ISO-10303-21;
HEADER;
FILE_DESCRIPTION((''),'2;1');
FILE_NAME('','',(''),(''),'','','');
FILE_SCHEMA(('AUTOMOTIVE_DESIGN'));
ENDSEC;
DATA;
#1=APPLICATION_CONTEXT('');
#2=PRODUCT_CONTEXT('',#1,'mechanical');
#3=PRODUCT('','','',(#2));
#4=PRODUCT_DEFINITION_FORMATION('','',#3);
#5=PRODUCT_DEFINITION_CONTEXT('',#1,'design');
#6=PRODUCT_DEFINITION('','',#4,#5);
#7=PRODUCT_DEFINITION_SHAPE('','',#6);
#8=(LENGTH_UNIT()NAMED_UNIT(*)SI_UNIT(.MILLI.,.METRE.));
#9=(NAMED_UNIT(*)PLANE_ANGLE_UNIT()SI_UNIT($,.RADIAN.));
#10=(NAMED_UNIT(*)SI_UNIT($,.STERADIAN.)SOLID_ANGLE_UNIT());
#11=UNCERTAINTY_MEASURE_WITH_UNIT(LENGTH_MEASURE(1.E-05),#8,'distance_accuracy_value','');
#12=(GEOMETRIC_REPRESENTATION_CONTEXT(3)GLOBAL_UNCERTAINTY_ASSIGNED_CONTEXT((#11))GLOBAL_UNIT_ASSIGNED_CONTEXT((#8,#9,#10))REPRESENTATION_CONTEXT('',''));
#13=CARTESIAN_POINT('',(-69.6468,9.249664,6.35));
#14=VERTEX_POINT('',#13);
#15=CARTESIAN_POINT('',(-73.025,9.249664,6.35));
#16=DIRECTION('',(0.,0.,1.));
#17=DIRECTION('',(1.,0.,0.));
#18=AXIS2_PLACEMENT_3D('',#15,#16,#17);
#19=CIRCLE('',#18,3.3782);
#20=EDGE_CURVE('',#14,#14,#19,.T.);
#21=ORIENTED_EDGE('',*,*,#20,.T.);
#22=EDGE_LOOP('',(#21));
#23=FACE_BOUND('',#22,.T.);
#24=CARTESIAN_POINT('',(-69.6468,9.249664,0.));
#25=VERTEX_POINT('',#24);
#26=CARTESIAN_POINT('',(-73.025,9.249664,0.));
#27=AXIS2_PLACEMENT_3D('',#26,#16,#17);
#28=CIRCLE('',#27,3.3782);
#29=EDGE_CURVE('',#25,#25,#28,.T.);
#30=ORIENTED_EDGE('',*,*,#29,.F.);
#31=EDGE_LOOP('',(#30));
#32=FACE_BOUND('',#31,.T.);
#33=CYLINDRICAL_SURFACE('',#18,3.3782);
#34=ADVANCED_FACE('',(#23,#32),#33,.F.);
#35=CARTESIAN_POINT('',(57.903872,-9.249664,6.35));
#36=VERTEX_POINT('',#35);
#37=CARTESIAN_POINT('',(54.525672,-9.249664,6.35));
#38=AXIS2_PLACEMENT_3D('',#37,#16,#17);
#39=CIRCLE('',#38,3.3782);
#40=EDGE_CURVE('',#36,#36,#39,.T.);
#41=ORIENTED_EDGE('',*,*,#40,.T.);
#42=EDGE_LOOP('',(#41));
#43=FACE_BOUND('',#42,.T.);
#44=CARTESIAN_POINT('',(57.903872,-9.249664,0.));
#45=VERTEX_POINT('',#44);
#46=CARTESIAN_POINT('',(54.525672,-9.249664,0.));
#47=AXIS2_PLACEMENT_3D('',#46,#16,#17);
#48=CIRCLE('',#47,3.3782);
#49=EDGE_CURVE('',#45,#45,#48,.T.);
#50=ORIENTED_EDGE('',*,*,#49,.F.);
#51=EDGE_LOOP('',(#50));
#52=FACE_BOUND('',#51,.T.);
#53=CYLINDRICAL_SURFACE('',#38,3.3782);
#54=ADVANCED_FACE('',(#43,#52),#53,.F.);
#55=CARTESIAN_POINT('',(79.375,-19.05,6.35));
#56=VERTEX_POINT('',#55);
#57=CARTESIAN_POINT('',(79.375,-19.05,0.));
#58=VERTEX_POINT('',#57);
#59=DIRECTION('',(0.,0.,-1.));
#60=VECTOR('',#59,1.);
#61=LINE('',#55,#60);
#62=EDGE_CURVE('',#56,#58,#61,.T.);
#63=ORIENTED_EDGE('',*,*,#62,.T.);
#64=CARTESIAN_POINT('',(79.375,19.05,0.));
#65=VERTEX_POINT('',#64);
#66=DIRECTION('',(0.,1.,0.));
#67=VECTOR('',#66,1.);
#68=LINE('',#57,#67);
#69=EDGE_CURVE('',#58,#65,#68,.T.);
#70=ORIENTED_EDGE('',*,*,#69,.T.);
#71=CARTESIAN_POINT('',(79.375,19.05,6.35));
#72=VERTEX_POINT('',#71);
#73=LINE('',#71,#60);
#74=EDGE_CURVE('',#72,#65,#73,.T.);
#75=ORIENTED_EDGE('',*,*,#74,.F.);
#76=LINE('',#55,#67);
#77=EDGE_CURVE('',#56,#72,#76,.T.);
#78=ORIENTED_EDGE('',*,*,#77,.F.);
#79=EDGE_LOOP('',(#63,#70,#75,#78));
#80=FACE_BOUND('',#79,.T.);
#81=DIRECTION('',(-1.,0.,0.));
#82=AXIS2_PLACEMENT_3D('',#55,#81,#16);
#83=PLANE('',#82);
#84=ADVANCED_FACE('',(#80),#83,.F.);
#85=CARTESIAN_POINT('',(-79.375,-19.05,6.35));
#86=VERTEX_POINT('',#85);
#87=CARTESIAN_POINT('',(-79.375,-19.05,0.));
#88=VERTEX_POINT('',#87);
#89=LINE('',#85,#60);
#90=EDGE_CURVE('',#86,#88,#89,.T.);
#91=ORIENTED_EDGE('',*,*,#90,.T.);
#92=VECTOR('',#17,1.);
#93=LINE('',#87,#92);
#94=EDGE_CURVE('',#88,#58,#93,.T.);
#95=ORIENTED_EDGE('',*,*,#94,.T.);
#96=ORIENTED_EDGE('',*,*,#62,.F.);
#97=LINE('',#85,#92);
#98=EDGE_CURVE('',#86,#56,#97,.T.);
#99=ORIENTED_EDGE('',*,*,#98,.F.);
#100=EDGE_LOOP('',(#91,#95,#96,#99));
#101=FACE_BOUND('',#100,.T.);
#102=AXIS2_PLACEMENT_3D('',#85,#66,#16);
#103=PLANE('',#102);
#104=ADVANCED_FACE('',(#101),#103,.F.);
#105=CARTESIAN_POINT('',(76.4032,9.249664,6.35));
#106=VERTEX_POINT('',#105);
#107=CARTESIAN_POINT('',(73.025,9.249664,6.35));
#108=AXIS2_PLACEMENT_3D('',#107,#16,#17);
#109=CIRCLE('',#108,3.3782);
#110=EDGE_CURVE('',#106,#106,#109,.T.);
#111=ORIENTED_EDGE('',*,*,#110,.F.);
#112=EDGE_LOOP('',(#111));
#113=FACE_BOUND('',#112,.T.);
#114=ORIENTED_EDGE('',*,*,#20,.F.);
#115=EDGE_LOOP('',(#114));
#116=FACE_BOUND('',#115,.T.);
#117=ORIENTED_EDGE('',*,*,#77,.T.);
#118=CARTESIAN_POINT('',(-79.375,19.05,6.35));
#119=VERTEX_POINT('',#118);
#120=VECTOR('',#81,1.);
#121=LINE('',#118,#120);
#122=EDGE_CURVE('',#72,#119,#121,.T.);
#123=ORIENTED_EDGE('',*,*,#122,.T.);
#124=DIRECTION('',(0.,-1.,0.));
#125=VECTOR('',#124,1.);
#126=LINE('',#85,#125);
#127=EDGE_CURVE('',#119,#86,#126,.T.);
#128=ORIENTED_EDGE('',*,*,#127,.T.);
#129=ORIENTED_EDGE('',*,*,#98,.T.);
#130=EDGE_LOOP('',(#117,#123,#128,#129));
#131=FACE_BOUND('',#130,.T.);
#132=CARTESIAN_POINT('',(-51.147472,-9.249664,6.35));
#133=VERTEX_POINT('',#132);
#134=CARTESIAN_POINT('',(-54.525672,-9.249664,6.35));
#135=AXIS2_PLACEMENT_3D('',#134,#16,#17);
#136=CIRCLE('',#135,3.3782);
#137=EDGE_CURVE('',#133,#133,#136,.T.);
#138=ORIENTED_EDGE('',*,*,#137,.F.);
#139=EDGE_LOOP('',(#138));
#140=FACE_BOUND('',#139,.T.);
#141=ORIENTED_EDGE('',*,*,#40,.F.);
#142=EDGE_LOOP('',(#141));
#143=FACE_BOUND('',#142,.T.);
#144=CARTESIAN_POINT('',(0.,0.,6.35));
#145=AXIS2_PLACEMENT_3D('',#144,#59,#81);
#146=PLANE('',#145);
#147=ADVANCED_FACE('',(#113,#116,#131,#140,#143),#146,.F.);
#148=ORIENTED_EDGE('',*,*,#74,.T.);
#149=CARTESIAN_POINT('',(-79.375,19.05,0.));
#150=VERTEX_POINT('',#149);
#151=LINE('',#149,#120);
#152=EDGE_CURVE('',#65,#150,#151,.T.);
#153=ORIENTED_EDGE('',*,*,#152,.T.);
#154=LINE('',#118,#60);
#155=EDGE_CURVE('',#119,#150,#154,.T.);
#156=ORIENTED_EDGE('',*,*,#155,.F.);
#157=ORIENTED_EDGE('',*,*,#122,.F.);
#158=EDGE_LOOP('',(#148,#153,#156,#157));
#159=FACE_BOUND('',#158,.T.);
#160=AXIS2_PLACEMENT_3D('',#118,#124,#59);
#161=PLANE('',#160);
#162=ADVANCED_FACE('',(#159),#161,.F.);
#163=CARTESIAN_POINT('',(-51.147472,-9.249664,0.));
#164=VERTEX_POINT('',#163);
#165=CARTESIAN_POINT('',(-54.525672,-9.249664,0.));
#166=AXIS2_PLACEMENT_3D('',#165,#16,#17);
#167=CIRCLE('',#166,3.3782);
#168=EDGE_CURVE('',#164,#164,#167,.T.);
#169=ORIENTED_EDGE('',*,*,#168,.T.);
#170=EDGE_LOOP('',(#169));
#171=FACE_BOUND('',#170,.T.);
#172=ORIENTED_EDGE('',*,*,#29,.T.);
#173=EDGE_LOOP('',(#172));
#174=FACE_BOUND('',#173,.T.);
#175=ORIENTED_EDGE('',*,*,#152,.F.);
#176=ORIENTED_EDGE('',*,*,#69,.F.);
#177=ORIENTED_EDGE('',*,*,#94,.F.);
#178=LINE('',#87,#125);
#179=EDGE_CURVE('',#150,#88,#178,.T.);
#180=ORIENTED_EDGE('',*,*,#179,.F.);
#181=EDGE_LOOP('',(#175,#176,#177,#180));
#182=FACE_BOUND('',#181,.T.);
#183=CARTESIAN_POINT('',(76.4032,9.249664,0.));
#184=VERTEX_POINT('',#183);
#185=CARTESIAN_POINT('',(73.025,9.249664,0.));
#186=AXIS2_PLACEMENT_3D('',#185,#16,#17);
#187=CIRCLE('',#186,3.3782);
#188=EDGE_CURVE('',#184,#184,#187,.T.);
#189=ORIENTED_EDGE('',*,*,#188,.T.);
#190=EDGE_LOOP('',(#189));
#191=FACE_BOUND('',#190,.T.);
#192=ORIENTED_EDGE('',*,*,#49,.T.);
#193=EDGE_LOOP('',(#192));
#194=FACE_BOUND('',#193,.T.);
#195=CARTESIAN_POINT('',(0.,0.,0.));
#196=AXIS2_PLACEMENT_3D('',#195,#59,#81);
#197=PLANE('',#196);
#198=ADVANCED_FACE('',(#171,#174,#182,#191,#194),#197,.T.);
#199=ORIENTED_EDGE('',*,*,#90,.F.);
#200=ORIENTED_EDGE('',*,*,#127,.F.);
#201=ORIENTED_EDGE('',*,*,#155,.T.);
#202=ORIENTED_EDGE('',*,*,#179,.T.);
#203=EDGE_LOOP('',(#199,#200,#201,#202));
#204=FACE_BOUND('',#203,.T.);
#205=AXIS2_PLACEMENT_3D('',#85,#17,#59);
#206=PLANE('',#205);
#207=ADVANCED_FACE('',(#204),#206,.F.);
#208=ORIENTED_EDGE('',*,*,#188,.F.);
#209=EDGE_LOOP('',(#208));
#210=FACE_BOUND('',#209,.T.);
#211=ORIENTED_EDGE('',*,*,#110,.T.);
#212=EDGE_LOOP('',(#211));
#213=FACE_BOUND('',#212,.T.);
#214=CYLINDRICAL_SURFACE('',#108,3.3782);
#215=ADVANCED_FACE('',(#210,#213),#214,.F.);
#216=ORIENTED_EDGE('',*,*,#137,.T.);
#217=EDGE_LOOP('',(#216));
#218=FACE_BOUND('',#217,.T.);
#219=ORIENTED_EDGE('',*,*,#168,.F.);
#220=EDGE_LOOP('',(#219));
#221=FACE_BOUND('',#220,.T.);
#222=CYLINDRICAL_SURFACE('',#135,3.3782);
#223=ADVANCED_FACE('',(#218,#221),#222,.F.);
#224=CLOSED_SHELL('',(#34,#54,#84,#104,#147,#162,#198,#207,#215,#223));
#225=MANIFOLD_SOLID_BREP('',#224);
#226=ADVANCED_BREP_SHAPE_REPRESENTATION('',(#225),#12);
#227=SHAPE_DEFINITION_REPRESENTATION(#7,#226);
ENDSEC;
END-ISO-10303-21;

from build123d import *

# Parameters (mm, degrees)
SKETCH1_W               = 158.75
SKETCH1_H               = 38.1
BOSS_EXTRUDE1_DEPTH     = 6.35
F_1_4_CLEARANCE_HOLE1_D = 6.7564


with BuildPart() as part:
    # Sketch1 → Boss-Extrude1 (new body)
    with BuildSketch(Plane.XY):
        Rectangle(SKETCH1_W, SKETCH1_H)
    extrude(amount=BOSS_EXTRUDE1_DEPTH)

    # 1/4 Clearance Hole1 (through all)
    with Locations(Plane.XY.offset(6.35)):
        with Locations((-73.025, 9.249663805), (-54.525672391, -9.249663805)):
            f_1_4_clearance_hole1 = Hole(F_1_4_CLEARANCE_HOLE1_D / 2)

    # Mirror1: 1/4 Clearance Hole1 across plane
    add(f_1_4_clearance_hole1.mirror(Plane(origin=(0, 0, 0), x_dir=(0, 0, 1), z_dir=(1, 0, 0))), mode=Mode.SUBTRACT)


solid = part.part
